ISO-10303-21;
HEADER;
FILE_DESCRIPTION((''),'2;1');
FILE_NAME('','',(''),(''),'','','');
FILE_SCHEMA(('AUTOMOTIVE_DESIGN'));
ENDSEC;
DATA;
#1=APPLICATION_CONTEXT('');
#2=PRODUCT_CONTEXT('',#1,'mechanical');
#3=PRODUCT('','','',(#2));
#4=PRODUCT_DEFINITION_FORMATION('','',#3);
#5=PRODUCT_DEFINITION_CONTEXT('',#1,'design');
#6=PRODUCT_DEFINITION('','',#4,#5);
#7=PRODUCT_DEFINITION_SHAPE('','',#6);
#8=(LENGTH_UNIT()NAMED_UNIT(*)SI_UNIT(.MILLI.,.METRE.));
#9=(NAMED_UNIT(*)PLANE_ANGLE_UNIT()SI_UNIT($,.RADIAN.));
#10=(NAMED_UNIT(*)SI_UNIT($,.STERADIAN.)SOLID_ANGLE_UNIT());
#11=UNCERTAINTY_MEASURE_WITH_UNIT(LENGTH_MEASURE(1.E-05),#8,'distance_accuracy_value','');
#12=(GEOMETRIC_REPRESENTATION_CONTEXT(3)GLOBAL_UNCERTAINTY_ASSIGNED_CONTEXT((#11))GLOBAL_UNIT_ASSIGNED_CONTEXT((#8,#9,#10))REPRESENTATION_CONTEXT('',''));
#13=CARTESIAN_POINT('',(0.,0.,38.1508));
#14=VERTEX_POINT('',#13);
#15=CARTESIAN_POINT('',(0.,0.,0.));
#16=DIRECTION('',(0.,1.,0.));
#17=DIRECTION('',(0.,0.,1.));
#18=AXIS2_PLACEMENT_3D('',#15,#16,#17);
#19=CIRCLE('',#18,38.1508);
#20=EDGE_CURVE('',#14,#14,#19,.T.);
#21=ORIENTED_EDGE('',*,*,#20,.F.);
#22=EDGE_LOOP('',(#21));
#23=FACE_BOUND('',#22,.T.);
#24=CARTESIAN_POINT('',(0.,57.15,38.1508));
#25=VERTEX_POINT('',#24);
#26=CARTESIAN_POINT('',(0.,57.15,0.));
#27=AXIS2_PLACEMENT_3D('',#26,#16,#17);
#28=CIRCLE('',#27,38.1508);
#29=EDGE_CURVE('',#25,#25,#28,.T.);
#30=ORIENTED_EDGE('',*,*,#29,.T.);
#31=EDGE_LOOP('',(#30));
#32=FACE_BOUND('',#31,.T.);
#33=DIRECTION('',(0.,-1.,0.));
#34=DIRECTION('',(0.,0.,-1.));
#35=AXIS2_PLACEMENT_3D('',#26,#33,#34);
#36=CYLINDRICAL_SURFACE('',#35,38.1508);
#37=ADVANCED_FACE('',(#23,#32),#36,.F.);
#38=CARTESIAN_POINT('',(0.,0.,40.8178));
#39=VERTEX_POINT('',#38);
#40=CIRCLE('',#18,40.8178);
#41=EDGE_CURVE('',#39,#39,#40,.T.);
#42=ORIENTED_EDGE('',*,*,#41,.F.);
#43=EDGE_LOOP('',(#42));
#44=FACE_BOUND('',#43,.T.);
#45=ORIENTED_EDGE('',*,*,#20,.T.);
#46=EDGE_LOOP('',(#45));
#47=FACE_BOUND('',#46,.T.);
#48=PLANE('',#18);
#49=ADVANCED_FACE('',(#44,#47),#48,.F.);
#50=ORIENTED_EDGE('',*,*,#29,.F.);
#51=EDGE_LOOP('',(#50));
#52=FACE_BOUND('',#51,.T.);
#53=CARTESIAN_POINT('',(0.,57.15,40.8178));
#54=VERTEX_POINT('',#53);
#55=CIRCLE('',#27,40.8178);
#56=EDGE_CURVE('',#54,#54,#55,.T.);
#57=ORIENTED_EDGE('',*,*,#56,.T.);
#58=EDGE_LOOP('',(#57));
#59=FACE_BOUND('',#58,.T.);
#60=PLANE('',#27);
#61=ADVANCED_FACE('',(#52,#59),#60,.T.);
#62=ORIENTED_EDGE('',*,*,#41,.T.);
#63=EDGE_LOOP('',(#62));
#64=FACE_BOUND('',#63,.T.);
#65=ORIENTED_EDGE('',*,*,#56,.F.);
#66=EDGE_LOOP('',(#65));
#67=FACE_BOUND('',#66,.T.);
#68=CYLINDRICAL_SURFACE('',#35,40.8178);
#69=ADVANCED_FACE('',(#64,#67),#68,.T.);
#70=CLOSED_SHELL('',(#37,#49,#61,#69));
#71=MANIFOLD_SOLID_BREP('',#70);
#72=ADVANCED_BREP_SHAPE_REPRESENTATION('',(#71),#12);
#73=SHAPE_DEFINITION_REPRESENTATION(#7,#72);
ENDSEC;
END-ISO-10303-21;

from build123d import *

# Parameters (mm, degrees)
SKETCH1_R           = 40.8178
SKETCH1_R_2         = 38.1508
BOSS_EXTRUDE1_DEPTH = 57.15


with BuildPart() as part:
    # Sketch1 → Boss-Extrude1 (new body)
    with BuildSketch(Plane(origin=(0, 0, 0), x_dir=(1, 0, 0), z_dir=(0, 1, 0))):
        Circle(SKETCH1_R)
        Circle(SKETCH1_R_2, mode=Mode.SUBTRACT)
    extrude(amount=BOSS_EXTRUDE1_DEPTH)


solid = part.part
